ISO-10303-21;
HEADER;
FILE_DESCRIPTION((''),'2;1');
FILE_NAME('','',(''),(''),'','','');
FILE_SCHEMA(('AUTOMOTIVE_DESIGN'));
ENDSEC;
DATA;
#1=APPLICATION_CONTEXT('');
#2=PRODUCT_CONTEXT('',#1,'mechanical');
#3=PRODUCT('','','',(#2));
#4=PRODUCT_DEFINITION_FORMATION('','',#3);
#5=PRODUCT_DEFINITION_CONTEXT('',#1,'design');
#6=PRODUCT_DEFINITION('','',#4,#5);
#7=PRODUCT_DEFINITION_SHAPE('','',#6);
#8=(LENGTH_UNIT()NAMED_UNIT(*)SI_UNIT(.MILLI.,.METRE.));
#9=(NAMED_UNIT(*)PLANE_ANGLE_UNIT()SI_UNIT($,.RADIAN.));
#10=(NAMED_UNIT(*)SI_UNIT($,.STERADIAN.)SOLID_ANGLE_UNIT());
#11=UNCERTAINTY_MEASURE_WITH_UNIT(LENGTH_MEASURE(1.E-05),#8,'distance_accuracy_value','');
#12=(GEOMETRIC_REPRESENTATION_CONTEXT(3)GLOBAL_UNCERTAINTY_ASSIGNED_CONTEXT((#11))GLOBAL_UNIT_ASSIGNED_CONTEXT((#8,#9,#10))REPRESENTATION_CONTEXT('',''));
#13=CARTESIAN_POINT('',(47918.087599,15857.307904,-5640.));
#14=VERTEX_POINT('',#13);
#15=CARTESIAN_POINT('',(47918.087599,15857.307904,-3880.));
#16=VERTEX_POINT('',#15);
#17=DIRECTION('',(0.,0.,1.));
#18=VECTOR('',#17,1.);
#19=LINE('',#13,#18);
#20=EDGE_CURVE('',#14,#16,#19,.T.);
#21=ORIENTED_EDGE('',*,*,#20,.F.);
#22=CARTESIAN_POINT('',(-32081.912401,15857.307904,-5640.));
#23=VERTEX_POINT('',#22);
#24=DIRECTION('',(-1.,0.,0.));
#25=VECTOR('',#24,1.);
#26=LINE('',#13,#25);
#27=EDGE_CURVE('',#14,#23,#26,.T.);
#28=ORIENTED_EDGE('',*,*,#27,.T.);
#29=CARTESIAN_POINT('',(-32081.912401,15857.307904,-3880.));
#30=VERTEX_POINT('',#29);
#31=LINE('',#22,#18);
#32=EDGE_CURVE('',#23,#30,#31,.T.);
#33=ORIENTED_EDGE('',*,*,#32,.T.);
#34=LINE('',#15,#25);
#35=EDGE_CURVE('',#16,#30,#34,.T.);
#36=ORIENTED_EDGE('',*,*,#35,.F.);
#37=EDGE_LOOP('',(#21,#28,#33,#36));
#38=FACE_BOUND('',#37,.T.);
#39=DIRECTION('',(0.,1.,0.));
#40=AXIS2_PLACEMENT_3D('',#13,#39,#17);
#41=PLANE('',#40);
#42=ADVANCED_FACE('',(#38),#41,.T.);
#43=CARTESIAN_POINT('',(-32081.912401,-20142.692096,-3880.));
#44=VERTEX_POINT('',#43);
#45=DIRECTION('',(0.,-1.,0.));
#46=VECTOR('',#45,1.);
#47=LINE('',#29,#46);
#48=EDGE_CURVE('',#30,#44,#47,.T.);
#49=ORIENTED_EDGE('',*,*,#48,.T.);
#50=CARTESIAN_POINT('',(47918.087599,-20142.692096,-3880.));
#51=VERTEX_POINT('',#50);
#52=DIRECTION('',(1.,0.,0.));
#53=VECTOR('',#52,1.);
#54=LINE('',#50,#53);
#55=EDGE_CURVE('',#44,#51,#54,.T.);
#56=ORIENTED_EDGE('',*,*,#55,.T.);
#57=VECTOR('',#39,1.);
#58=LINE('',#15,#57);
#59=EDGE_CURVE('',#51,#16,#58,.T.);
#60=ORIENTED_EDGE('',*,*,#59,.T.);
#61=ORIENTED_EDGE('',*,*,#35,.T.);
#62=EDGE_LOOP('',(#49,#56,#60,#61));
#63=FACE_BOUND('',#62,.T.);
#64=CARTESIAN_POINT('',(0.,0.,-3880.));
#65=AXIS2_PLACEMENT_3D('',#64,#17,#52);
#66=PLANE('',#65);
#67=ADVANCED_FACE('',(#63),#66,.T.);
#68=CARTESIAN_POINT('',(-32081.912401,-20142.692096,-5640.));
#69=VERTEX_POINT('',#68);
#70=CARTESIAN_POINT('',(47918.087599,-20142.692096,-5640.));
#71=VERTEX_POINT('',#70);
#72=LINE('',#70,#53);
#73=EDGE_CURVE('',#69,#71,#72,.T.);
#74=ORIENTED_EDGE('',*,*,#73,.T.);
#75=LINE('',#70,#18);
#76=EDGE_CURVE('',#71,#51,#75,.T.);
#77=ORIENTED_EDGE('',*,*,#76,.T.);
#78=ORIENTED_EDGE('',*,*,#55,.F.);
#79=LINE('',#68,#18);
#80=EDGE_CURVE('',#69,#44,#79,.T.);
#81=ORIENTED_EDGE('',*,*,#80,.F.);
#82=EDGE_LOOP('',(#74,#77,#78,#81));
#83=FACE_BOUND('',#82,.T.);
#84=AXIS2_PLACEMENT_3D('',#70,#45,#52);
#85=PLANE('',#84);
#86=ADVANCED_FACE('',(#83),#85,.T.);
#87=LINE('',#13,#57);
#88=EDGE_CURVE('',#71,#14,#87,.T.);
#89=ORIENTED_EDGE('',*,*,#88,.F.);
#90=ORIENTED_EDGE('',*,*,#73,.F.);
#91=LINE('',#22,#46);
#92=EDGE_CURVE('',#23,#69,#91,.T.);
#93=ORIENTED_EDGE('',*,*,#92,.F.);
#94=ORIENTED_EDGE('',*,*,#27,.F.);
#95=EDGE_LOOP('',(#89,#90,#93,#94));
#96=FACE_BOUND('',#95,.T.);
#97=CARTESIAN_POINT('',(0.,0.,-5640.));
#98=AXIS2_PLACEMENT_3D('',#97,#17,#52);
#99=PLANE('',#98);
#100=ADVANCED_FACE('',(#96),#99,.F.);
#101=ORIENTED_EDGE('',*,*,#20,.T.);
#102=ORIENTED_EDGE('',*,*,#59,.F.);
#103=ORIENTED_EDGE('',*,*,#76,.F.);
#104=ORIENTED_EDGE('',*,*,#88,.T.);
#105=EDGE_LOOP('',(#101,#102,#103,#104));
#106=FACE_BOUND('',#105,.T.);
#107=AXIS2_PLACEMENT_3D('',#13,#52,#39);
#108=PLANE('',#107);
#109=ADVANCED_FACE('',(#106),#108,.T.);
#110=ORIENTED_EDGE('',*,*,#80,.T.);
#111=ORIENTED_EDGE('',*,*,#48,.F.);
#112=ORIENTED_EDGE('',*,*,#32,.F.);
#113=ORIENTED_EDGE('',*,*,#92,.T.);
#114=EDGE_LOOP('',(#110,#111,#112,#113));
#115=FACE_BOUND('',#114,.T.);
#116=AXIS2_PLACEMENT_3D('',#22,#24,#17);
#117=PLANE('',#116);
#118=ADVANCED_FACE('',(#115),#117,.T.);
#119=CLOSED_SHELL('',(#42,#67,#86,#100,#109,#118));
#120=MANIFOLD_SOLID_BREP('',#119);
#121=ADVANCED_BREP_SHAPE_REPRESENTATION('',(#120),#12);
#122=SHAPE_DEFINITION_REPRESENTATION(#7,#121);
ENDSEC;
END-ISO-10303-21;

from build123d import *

# Parameters (mm, degrees)
BOSS_EXTRUDE1_START = -3880
SKETCH1_W           = 80000
SKETCH1_H           = 36000
BOSS_EXTRUDE1_DEPTH = 1760


with BuildPart() as part:
    # Sketch1 → Boss-Extrude1 (new body)
    with BuildSketch(Plane.XY.offset(BOSS_EXTRUDE1_START)):
        with Locations((7918.087599311, -2142.692095945)):
            Rectangle(SKETCH1_W, SKETCH1_H)
    extrude(amount=-BOSS_EXTRUDE1_DEPTH)


solid = part.part
